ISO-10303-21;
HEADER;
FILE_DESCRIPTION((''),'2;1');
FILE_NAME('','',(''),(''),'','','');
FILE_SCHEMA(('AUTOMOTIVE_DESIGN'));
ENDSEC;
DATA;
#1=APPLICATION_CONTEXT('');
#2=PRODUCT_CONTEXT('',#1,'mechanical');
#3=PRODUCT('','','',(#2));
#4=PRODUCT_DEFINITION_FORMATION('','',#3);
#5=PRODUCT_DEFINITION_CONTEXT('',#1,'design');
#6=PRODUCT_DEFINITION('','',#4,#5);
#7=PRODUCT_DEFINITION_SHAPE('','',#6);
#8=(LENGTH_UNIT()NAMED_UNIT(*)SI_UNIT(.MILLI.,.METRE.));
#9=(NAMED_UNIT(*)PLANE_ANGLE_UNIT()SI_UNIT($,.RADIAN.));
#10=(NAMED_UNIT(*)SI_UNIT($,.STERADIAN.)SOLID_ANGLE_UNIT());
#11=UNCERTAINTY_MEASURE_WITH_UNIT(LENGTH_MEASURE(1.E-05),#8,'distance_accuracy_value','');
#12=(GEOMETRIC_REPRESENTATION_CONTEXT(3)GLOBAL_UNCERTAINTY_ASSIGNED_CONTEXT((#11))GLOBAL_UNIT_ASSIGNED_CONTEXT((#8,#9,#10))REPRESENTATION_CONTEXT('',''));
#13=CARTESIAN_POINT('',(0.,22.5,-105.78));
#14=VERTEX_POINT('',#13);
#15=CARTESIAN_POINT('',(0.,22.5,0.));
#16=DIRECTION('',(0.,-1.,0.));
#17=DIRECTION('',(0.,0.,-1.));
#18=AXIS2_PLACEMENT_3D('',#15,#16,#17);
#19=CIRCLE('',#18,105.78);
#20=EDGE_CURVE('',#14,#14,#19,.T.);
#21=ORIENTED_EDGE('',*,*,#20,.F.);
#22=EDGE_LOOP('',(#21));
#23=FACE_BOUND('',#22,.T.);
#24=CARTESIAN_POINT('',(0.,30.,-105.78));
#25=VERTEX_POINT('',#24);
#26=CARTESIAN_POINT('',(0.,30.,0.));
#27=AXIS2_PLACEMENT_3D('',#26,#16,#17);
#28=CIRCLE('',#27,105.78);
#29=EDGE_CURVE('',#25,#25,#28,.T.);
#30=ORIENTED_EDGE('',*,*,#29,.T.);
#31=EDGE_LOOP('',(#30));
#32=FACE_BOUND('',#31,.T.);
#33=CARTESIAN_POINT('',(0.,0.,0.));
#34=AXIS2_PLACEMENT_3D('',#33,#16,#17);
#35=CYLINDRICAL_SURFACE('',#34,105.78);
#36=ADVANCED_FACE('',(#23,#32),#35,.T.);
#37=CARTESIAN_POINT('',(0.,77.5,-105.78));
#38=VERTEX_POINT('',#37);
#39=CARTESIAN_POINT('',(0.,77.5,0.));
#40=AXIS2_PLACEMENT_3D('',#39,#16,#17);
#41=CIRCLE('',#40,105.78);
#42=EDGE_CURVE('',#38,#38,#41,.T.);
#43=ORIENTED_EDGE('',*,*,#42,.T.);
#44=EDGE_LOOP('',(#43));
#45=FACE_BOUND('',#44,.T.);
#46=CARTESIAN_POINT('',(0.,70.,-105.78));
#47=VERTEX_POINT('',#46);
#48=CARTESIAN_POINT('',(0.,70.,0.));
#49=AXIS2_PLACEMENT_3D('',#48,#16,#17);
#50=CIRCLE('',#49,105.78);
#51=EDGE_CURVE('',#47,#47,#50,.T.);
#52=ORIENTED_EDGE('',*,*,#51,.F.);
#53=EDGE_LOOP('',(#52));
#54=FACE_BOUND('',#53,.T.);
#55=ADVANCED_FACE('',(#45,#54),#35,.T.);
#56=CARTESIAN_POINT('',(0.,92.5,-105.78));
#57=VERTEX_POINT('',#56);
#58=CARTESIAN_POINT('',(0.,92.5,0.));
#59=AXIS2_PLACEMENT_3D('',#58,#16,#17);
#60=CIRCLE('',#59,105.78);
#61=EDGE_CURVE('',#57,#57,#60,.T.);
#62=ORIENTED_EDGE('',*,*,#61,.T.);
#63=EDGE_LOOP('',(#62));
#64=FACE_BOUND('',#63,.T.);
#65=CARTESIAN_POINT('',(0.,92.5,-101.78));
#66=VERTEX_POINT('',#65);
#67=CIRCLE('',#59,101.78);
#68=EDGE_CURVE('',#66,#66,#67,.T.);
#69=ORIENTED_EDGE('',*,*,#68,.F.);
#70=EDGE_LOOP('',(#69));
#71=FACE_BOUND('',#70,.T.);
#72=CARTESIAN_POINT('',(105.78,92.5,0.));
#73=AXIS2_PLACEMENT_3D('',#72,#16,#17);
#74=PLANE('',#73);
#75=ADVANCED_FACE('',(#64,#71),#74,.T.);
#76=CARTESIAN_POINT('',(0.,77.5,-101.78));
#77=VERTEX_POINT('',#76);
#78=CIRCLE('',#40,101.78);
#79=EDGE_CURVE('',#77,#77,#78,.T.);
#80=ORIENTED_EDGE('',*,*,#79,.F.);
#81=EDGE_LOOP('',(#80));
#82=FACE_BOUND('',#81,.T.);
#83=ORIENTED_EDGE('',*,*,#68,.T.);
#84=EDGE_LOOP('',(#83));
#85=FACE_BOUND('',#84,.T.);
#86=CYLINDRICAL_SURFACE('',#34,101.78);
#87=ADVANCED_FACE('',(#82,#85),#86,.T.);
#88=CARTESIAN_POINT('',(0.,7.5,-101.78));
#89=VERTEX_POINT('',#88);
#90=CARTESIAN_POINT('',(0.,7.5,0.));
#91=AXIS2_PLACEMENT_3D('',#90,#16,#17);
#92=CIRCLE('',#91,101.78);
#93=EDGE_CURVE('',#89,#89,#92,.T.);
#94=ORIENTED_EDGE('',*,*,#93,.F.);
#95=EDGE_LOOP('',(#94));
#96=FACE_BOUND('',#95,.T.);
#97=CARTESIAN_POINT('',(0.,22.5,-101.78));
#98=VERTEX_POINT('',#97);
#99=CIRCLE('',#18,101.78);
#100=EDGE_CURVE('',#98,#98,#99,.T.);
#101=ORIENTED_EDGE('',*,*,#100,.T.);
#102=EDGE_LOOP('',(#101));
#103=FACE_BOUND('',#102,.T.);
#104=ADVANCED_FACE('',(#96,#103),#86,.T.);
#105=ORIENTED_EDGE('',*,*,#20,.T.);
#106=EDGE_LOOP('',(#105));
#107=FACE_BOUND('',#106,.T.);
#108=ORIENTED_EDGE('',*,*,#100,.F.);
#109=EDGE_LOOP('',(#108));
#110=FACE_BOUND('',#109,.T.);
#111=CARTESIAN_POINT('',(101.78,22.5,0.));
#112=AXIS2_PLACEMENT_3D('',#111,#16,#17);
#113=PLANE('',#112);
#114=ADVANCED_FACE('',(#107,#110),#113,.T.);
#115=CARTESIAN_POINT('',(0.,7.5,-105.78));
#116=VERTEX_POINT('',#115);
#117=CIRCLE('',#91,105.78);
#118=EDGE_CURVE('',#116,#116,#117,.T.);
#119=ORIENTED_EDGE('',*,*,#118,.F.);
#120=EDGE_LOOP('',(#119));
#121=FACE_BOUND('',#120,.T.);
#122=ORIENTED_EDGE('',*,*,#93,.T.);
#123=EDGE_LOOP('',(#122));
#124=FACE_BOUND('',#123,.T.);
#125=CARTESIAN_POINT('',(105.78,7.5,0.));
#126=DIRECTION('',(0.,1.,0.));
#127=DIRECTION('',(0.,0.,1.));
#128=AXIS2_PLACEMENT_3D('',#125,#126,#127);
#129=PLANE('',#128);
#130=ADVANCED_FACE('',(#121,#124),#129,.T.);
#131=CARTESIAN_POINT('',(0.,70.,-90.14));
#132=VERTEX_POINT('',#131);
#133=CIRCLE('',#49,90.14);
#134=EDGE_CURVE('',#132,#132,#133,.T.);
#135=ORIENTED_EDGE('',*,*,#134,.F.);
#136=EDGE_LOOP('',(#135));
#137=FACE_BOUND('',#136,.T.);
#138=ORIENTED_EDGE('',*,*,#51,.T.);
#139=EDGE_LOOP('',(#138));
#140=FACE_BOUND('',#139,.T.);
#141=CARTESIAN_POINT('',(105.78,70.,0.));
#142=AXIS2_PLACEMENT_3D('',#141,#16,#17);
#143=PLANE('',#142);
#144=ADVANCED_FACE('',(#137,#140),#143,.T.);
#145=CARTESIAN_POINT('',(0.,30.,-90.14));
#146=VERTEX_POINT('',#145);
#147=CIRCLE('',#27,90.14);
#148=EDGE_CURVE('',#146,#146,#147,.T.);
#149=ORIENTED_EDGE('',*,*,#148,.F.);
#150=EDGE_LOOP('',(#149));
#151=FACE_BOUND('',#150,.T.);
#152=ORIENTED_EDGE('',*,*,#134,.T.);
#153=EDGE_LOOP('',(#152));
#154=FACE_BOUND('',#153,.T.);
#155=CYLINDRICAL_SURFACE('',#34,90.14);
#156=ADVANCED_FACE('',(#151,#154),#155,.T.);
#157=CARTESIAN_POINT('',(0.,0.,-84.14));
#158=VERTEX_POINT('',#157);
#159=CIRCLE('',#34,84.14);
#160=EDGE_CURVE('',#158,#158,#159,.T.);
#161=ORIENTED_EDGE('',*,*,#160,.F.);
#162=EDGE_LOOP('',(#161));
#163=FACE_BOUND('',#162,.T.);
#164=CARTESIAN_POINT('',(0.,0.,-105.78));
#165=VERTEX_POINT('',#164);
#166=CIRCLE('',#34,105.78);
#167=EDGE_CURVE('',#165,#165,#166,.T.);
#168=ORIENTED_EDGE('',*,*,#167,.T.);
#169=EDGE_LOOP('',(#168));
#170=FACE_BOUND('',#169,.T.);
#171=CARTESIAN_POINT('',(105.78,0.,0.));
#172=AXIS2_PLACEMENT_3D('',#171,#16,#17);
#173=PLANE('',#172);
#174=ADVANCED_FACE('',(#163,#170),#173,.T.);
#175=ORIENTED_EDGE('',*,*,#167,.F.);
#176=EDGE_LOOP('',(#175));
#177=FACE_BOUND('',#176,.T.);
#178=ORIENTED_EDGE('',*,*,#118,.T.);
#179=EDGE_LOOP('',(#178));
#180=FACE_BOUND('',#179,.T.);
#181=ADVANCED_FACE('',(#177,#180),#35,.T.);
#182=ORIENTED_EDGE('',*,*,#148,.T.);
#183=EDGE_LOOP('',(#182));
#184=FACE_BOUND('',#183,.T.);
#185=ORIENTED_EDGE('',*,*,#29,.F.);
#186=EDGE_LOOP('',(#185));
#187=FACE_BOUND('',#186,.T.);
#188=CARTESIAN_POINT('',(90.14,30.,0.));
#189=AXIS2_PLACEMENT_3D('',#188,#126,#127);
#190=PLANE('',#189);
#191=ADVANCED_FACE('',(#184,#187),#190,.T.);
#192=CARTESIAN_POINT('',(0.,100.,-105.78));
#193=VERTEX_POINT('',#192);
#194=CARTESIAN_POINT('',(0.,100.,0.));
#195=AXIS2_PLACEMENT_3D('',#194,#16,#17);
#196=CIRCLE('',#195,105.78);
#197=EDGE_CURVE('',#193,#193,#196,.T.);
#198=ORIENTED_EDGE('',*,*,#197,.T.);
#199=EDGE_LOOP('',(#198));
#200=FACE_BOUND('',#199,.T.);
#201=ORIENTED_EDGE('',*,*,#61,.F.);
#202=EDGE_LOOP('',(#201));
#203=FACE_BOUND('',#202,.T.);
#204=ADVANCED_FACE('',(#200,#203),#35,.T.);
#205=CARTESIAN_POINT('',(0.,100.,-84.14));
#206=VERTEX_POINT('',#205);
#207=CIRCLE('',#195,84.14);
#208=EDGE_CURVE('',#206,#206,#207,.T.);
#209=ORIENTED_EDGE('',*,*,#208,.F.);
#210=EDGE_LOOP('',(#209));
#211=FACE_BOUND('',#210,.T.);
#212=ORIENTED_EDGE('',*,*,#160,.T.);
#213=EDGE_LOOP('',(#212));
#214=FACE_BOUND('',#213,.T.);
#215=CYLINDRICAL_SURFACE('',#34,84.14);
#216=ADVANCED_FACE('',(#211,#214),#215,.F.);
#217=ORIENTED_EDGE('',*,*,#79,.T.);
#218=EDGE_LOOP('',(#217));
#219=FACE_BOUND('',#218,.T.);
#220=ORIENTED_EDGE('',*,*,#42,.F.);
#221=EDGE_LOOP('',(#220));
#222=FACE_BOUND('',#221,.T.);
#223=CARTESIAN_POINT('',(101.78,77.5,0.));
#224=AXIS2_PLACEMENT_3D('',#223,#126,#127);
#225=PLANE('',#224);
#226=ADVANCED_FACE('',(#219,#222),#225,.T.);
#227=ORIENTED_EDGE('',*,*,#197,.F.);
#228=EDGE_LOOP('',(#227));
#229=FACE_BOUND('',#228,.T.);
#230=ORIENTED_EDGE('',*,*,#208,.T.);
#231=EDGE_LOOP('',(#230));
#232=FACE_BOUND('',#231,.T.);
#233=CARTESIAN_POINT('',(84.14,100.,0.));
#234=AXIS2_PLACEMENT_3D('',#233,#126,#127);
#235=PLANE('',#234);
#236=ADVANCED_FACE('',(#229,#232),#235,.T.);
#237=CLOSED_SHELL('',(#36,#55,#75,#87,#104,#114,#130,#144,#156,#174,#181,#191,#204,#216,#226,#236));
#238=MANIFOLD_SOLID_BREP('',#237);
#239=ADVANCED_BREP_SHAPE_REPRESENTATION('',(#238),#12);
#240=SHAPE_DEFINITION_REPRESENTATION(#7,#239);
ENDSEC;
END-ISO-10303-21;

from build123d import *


with BuildPart() as part:
    # Esboço1 → Revolução1 (revolve)
    with BuildSketch(Plane.XY):
        Polygon((84.14, 100), (105.78, 100), (105.78, 92.5), (101.78, 92.5), (101.78, 77.5), (105.78, 77.5), (105.78, 70), (90.14, 70), (90.14, 30), (105.78, 30), (105.78, 22.5), (101.78, 22.5), (101.78, 7.5), (105.78, 7.5), (105.78, 0), (84.14, 0), align=None)
    revolve(axis=Axis((0, 0, 0), (0, 1, 0)))


solid = part.part
